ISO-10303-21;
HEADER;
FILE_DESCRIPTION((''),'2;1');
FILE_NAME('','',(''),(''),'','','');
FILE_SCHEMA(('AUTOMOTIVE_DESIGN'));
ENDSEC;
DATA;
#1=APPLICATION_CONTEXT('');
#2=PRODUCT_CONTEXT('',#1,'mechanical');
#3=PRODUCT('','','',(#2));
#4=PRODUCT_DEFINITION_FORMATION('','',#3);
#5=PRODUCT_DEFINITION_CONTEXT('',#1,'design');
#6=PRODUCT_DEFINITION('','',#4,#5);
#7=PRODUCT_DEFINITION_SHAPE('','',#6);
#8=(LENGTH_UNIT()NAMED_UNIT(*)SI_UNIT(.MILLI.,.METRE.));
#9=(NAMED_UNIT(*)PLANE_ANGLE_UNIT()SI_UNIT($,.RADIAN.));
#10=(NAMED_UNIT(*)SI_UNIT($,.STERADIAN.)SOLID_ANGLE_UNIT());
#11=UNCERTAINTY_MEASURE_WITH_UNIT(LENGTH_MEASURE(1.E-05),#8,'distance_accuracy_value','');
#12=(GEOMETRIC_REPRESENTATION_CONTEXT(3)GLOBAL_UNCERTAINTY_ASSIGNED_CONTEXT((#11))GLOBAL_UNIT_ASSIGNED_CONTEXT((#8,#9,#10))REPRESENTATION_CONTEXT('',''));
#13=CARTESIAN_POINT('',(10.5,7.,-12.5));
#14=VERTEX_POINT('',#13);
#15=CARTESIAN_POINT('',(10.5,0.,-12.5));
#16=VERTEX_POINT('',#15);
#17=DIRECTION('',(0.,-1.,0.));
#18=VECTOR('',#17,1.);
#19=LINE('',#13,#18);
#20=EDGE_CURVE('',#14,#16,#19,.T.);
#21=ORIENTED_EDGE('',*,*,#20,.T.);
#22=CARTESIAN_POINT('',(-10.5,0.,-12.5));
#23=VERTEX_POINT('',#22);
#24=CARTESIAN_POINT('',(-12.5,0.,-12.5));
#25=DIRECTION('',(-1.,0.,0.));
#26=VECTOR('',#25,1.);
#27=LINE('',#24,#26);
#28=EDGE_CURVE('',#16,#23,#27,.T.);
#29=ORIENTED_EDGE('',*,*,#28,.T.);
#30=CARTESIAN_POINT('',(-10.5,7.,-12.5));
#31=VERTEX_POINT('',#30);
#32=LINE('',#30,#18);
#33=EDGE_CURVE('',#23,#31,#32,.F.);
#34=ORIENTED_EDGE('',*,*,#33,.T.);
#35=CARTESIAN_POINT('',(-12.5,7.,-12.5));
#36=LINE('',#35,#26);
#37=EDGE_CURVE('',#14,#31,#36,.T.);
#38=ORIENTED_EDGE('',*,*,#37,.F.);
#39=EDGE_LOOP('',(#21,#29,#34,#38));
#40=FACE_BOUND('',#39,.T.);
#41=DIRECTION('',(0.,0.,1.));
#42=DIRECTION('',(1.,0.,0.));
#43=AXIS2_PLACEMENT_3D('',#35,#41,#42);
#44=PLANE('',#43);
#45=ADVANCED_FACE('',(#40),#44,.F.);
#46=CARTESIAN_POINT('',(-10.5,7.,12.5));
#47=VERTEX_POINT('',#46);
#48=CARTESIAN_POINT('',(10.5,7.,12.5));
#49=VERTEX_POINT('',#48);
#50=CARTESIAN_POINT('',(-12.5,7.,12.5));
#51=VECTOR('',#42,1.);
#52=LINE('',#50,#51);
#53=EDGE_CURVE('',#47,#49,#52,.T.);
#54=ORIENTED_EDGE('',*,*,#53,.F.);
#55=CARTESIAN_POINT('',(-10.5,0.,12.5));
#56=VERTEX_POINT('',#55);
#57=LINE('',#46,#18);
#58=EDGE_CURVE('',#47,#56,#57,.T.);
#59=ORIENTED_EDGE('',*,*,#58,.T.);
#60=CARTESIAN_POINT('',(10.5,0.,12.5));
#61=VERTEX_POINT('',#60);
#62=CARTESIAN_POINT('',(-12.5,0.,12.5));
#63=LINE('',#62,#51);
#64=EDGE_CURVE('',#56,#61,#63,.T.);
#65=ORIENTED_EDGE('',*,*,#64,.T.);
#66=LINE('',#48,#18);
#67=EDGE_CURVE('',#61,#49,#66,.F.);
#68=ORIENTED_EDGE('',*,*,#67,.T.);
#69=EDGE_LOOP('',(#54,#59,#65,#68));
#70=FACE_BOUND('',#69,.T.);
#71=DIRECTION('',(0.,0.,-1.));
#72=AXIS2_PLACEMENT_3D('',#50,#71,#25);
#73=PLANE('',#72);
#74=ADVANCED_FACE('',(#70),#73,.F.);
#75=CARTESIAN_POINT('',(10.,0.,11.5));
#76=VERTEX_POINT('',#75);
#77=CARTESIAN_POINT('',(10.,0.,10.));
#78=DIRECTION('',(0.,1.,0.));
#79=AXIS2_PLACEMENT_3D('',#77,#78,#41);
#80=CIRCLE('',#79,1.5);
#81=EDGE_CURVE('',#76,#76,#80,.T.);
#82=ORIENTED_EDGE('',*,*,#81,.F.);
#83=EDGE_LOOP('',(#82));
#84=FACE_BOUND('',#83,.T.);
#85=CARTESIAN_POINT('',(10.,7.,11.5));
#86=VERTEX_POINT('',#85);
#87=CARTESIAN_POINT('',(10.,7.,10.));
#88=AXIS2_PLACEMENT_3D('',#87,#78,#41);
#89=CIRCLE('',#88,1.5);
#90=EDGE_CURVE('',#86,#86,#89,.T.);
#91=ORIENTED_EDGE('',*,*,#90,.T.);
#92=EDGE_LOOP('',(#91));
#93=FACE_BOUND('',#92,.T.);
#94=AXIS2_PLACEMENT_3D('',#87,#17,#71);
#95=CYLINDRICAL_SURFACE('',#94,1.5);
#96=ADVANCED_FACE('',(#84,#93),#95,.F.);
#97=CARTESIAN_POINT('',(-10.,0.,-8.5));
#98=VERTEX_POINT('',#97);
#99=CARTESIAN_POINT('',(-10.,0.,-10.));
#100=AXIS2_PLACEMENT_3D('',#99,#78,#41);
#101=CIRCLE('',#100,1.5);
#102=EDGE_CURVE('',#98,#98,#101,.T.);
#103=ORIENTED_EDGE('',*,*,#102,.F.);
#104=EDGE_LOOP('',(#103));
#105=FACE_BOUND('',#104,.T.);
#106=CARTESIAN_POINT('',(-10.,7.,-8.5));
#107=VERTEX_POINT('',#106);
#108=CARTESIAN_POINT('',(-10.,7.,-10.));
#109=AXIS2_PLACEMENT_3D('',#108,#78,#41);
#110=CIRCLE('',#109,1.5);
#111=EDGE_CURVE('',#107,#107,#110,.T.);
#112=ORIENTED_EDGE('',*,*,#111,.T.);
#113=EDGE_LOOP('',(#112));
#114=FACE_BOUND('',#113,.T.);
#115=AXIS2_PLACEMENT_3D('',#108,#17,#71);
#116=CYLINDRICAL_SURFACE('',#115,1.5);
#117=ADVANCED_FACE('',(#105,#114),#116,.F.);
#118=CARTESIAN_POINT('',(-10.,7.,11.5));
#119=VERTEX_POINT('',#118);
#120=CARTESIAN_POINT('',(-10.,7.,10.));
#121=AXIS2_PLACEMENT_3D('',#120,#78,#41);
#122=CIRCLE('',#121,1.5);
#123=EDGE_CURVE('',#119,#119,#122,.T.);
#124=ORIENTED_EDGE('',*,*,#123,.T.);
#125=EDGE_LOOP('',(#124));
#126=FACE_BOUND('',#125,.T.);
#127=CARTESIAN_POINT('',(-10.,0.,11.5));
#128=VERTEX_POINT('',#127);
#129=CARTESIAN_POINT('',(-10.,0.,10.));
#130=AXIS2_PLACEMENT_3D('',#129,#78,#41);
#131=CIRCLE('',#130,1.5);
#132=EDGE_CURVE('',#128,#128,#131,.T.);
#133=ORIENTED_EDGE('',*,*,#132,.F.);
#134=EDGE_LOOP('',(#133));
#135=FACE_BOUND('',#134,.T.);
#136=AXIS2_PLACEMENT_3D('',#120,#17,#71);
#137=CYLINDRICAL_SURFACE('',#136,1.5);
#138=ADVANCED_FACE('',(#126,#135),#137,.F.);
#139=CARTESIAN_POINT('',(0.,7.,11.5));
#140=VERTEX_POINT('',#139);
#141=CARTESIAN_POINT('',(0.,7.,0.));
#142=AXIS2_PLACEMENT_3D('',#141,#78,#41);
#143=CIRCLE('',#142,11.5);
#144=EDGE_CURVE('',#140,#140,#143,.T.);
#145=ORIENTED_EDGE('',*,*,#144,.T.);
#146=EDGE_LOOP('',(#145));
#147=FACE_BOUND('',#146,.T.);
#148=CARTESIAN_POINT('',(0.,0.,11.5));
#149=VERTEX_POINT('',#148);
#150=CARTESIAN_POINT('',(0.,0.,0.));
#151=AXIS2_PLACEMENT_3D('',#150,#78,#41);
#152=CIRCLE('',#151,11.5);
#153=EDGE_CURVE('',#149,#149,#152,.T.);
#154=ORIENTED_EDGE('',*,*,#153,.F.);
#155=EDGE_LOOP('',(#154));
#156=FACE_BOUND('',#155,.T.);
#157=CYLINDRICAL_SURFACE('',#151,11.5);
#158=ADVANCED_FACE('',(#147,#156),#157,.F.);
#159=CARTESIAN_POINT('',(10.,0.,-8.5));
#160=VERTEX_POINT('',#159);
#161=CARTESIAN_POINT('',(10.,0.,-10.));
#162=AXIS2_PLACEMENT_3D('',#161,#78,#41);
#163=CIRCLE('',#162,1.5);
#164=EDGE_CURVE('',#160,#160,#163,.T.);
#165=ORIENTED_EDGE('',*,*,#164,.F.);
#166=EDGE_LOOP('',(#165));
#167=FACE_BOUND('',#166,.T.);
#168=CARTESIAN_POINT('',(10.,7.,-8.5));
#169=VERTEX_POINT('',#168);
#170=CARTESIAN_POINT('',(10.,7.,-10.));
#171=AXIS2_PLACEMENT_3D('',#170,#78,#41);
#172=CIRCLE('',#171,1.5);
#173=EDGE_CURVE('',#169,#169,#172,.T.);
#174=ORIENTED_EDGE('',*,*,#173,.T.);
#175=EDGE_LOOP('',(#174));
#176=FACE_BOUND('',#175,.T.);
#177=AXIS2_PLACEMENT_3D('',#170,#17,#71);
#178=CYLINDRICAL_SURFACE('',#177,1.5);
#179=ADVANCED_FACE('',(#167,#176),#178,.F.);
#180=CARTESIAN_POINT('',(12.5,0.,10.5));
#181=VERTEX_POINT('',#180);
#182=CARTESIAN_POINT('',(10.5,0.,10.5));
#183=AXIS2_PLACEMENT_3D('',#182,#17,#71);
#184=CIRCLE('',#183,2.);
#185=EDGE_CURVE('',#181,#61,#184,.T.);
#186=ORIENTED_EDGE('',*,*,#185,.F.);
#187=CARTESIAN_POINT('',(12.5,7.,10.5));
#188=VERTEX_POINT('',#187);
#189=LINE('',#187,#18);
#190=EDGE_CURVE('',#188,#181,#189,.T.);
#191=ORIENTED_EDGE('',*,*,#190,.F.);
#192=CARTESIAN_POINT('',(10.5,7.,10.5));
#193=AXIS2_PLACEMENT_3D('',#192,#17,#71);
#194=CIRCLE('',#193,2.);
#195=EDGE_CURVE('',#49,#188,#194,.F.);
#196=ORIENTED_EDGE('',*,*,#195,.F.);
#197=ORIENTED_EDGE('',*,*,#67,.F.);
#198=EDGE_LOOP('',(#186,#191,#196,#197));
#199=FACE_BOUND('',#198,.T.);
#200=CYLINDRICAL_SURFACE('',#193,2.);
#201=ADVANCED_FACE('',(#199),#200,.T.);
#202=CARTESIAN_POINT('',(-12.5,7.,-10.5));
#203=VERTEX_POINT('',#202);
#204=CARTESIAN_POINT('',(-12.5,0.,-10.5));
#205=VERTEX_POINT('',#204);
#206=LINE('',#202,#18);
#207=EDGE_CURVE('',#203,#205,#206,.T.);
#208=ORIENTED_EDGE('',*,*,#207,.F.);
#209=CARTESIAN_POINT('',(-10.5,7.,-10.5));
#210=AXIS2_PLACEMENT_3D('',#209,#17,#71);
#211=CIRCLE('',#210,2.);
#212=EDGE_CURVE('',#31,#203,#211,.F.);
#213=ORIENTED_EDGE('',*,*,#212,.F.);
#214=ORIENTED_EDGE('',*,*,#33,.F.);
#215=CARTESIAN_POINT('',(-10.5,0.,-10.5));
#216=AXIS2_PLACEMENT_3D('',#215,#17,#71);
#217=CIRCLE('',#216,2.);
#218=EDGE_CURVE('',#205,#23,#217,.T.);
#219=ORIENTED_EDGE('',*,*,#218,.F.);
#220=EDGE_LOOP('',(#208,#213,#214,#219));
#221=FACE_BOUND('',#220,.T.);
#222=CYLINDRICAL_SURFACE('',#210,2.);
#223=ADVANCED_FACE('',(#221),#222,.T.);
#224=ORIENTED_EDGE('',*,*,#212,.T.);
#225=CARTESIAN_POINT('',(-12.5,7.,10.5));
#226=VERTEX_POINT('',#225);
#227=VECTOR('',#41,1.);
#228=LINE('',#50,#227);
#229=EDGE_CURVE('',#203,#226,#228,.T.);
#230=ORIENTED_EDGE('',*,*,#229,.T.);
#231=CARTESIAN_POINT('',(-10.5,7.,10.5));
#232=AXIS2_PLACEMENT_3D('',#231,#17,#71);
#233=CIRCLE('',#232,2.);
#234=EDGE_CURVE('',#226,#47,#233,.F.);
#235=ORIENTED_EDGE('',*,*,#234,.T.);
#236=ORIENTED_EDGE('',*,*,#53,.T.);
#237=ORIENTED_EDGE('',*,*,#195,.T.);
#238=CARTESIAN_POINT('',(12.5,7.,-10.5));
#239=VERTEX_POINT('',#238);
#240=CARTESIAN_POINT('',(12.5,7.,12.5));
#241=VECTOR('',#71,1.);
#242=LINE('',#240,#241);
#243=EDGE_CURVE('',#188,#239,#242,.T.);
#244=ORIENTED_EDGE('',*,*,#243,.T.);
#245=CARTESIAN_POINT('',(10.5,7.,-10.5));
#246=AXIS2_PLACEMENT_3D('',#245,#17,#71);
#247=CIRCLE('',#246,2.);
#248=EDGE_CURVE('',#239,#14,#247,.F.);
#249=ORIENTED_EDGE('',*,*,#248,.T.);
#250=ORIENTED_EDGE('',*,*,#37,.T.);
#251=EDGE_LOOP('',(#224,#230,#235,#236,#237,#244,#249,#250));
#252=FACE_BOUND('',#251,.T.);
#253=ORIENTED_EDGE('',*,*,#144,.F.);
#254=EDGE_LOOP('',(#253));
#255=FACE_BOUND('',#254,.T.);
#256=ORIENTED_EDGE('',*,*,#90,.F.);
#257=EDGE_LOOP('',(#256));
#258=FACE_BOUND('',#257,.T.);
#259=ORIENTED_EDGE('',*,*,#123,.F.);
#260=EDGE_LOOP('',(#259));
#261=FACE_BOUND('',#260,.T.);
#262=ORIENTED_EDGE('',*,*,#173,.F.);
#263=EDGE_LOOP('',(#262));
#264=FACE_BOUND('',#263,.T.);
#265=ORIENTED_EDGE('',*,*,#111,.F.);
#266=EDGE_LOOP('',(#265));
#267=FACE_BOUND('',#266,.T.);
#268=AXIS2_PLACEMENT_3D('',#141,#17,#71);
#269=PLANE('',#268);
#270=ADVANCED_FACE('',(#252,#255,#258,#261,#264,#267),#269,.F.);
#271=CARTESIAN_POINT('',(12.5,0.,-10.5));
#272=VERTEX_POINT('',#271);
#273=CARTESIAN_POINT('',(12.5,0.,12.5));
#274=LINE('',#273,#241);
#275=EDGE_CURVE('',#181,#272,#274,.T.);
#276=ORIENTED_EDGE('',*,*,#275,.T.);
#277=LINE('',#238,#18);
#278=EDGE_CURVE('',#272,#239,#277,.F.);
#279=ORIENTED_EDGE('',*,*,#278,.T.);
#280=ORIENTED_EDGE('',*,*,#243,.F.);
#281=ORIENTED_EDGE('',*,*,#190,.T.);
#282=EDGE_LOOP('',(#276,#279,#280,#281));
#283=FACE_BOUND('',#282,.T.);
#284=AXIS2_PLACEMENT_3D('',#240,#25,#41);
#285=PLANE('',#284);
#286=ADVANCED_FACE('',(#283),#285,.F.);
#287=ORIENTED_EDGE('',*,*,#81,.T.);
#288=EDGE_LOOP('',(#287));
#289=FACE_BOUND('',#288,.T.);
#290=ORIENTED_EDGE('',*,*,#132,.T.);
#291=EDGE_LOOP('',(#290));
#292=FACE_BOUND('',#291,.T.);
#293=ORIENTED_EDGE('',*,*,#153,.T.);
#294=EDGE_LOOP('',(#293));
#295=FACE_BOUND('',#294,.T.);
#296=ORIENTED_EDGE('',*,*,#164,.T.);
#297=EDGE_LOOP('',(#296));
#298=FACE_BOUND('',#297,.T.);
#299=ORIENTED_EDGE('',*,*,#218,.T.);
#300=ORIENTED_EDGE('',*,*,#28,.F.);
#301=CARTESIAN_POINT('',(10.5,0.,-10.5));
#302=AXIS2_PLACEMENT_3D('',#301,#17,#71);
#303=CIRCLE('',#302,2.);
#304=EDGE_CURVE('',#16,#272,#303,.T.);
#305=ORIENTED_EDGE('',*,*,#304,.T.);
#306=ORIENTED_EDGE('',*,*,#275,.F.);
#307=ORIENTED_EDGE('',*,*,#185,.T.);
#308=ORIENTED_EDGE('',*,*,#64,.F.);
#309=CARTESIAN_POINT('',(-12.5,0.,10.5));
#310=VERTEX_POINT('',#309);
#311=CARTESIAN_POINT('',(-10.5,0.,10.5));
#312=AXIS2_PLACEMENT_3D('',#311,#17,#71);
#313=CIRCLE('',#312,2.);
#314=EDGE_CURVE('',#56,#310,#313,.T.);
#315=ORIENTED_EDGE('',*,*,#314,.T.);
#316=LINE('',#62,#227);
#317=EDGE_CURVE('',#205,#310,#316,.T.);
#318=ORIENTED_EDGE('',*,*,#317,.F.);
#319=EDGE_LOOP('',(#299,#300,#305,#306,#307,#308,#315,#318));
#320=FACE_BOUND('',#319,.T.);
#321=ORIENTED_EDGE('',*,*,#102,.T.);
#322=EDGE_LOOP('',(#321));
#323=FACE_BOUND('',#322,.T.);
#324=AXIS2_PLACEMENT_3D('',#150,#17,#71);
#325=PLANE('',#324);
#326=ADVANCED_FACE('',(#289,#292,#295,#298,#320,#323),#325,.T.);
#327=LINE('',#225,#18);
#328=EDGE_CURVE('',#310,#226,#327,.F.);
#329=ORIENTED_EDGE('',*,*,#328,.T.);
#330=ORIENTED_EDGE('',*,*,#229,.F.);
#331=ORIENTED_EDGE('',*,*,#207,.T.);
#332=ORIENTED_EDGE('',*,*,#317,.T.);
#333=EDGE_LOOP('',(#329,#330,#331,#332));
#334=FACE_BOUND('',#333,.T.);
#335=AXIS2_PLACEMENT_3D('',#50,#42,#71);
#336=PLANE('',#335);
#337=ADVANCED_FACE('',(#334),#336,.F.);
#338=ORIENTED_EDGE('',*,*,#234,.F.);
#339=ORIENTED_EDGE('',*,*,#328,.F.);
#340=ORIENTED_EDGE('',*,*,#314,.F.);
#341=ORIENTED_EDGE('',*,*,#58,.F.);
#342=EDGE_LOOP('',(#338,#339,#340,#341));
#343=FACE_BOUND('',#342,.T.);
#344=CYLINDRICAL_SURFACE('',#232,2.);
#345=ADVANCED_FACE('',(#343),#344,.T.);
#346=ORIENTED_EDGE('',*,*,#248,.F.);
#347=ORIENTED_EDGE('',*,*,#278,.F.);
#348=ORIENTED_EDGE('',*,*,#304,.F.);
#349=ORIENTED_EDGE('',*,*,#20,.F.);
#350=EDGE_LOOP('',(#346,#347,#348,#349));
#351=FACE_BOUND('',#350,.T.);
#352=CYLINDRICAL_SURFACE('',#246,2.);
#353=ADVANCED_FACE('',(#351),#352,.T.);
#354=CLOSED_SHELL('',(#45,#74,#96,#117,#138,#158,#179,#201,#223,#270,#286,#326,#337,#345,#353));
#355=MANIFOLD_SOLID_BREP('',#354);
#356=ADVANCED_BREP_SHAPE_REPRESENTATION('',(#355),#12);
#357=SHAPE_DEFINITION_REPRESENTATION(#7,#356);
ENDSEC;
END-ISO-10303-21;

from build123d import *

# Parameters (mm, degrees)
SKETCH_1_W          = 25
SKETCH_1_H          = 25
SKETCH_1_R          = 1.5
EXTRUDE_1_DEPTH     = 7
FILLET_1_R          = 2
SKETCH_2_R          = 11.5
CUT_EXTRUDE_1_DEPTH = 7


with BuildPart() as part:
    # 草图1 → 凸台-拉伸1 (new body)
    with BuildSketch(Plane(origin=(0, 0, 0), x_dir=(1, 0, 0), z_dir=(0, 1, 0))):
        Rectangle(SKETCH_1_W, SKETCH_1_H)
        with Locations(Location((-10, -10, 0), (0, 0, 270))):
            Circle(SKETCH_1_R, mode=Mode.SUBTRACT)
        with Locations(Location((10, -10, 0), (0, 0, 270))):
            Circle(SKETCH_1_R, mode=Mode.SUBTRACT)
        with Locations(Location((10, 10, 0), (0, 0, 270))):
            Circle(SKETCH_1_R, mode=Mode.SUBTRACT)
        with Locations(Location((-10, 10, 0), (0, 0, 270))):
            Circle(SKETCH_1_R, mode=Mode.SUBTRACT)
    extrude(amount=EXTRUDE_1_DEPTH)

    # 圆角1
    fillet_1_edges = [part.edges().sort_by_distance(p)[0] for p in [
        (12.5, 3.5, 12.5),
        (-12.5, 3.5, 12.5),
        (-12.5, 3.5, -12.5),
        (12.5, 3.5, -12.5),
    ]]
    fillet(fillet_1_edges, radius=FILLET_1_R)

    # 草图2 → 切除-拉伸1 (cut)
    with BuildSketch(Plane(origin=(0, 7, 0), x_dir=(1, 0, 0), z_dir=(0, 1, 0))):
        with Locations(Location((0, 0, 0), (0, 0, 270))):
            Circle(SKETCH_2_R)
    extrude(amount=-CUT_EXTRUDE_1_DEPTH, mode=Mode.SUBTRACT)


solid = part.part
